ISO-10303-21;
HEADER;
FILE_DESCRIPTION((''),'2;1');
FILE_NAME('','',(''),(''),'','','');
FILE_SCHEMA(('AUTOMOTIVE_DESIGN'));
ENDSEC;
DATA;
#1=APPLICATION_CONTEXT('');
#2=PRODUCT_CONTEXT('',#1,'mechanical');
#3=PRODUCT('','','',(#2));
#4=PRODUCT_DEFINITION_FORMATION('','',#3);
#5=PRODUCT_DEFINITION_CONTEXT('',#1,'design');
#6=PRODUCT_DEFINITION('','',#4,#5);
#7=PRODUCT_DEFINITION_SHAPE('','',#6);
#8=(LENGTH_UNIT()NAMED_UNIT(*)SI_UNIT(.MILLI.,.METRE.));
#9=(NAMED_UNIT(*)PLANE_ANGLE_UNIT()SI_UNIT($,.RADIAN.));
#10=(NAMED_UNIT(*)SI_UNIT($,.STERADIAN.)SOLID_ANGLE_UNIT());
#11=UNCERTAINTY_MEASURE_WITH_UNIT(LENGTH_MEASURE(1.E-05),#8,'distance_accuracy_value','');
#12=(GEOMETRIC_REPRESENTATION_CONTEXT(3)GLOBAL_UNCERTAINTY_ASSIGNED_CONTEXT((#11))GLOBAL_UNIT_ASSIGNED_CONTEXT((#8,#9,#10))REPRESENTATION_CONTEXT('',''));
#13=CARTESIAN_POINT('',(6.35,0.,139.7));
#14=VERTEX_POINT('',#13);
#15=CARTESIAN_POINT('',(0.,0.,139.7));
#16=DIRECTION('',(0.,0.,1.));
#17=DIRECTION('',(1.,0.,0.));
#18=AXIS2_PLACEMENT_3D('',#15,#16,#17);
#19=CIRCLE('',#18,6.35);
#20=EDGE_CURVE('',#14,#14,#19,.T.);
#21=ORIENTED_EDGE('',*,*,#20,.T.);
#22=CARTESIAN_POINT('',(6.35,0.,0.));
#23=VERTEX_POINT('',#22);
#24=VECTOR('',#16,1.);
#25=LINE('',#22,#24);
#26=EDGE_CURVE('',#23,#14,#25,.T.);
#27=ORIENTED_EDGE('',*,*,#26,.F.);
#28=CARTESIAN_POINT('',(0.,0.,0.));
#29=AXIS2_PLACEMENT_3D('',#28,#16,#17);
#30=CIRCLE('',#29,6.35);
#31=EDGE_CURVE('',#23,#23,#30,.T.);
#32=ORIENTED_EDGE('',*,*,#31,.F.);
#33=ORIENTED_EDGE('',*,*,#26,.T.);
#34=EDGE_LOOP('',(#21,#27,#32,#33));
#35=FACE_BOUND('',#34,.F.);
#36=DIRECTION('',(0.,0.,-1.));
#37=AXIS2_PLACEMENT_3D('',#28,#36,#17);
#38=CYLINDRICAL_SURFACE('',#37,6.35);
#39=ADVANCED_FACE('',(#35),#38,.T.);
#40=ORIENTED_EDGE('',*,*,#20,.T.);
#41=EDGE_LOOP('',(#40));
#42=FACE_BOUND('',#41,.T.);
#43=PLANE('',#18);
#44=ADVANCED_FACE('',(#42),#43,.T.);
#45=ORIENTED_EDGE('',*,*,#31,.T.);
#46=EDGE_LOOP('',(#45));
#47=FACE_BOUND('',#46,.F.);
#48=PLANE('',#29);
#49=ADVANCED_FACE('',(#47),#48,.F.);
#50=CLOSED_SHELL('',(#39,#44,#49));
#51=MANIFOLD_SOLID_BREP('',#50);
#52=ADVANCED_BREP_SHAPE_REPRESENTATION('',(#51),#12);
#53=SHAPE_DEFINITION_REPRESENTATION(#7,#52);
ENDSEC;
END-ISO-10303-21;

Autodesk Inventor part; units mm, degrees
ref_plane "YZ Plane" through (0, 0, 0) normal (1, 0, 0) x (0, 1, 0)
ref_plane "XZ Plane" through (0, 0, 0) normal (0, 1, 0) x (-1, 0, 0)
ref_plane "XY Plane" through (0, 0, 0) normal (0, 0, 1) x (1, 0, 0)
sketch "Sketch1" plane through (0, 0, 0) normal (0, 0, 1) x (1, 0, 0)
  circle A0 centre (0, 0) radius 6.35
  dimension "d0" = 12.7
extrude "Extrusion1" add sketch "Sketch1" along normal blind 139.7
properties part number "Main Axle"
